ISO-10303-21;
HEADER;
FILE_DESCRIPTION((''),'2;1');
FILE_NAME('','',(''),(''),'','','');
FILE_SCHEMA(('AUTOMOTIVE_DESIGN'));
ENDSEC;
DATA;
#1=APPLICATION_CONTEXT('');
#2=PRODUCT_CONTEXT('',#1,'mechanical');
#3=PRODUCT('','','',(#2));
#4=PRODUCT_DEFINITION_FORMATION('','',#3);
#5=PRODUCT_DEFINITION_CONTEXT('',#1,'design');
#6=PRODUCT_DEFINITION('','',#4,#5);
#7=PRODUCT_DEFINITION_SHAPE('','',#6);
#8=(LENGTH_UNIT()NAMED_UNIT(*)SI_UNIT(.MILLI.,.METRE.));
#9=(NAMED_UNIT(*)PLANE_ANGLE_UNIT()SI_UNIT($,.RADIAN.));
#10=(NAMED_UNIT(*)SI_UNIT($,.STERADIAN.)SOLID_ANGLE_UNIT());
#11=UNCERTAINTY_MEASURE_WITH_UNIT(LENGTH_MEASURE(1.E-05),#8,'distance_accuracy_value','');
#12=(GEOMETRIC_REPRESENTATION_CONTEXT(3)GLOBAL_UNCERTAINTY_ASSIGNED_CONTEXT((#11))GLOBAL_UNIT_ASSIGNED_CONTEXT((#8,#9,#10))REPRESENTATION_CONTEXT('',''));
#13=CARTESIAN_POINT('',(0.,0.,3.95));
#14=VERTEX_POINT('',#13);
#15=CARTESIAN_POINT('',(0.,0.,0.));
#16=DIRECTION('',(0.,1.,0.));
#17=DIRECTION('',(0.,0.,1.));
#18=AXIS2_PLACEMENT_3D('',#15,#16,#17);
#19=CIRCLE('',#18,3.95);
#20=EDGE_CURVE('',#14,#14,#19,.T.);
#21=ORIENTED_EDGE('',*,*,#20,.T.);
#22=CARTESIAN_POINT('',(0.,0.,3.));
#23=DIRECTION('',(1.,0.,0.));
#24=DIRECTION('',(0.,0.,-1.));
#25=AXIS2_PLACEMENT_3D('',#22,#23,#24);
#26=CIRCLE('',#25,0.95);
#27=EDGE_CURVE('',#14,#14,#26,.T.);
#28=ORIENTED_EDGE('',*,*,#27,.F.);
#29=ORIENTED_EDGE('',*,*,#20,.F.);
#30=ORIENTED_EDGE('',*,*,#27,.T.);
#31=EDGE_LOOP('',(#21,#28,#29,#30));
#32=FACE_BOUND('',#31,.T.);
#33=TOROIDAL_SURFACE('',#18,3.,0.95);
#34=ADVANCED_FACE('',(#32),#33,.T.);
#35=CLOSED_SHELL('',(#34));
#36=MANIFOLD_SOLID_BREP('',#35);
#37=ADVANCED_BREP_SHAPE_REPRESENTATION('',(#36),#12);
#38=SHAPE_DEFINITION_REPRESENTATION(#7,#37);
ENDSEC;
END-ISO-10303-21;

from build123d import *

# Parameters (mm, degrees)
SWEEP1_PROFILE_R = 0.95


with BuildPart() as part:
    # Sweep1: sweep along a path in Sketch1
    with BuildLine(Plane(origin=(0, 0, 0), x_dir=(1, 0, 0), z_dir=(0, 1, 0))) as sweep1_path:
        CenterArc((0, 0), 3, 0, 360)
    # Sweep1 profile (on start of the path) → Sweep1 (sweep)
    with BuildSketch(Plane(origin=(3, 0, 0), x_dir=(-1, 0, 0), z_dir=(0, 0, -1))):
        Circle(SWEEP1_PROFILE_R)
    sweep(path=sweep1_path.line)


solid = part.part
